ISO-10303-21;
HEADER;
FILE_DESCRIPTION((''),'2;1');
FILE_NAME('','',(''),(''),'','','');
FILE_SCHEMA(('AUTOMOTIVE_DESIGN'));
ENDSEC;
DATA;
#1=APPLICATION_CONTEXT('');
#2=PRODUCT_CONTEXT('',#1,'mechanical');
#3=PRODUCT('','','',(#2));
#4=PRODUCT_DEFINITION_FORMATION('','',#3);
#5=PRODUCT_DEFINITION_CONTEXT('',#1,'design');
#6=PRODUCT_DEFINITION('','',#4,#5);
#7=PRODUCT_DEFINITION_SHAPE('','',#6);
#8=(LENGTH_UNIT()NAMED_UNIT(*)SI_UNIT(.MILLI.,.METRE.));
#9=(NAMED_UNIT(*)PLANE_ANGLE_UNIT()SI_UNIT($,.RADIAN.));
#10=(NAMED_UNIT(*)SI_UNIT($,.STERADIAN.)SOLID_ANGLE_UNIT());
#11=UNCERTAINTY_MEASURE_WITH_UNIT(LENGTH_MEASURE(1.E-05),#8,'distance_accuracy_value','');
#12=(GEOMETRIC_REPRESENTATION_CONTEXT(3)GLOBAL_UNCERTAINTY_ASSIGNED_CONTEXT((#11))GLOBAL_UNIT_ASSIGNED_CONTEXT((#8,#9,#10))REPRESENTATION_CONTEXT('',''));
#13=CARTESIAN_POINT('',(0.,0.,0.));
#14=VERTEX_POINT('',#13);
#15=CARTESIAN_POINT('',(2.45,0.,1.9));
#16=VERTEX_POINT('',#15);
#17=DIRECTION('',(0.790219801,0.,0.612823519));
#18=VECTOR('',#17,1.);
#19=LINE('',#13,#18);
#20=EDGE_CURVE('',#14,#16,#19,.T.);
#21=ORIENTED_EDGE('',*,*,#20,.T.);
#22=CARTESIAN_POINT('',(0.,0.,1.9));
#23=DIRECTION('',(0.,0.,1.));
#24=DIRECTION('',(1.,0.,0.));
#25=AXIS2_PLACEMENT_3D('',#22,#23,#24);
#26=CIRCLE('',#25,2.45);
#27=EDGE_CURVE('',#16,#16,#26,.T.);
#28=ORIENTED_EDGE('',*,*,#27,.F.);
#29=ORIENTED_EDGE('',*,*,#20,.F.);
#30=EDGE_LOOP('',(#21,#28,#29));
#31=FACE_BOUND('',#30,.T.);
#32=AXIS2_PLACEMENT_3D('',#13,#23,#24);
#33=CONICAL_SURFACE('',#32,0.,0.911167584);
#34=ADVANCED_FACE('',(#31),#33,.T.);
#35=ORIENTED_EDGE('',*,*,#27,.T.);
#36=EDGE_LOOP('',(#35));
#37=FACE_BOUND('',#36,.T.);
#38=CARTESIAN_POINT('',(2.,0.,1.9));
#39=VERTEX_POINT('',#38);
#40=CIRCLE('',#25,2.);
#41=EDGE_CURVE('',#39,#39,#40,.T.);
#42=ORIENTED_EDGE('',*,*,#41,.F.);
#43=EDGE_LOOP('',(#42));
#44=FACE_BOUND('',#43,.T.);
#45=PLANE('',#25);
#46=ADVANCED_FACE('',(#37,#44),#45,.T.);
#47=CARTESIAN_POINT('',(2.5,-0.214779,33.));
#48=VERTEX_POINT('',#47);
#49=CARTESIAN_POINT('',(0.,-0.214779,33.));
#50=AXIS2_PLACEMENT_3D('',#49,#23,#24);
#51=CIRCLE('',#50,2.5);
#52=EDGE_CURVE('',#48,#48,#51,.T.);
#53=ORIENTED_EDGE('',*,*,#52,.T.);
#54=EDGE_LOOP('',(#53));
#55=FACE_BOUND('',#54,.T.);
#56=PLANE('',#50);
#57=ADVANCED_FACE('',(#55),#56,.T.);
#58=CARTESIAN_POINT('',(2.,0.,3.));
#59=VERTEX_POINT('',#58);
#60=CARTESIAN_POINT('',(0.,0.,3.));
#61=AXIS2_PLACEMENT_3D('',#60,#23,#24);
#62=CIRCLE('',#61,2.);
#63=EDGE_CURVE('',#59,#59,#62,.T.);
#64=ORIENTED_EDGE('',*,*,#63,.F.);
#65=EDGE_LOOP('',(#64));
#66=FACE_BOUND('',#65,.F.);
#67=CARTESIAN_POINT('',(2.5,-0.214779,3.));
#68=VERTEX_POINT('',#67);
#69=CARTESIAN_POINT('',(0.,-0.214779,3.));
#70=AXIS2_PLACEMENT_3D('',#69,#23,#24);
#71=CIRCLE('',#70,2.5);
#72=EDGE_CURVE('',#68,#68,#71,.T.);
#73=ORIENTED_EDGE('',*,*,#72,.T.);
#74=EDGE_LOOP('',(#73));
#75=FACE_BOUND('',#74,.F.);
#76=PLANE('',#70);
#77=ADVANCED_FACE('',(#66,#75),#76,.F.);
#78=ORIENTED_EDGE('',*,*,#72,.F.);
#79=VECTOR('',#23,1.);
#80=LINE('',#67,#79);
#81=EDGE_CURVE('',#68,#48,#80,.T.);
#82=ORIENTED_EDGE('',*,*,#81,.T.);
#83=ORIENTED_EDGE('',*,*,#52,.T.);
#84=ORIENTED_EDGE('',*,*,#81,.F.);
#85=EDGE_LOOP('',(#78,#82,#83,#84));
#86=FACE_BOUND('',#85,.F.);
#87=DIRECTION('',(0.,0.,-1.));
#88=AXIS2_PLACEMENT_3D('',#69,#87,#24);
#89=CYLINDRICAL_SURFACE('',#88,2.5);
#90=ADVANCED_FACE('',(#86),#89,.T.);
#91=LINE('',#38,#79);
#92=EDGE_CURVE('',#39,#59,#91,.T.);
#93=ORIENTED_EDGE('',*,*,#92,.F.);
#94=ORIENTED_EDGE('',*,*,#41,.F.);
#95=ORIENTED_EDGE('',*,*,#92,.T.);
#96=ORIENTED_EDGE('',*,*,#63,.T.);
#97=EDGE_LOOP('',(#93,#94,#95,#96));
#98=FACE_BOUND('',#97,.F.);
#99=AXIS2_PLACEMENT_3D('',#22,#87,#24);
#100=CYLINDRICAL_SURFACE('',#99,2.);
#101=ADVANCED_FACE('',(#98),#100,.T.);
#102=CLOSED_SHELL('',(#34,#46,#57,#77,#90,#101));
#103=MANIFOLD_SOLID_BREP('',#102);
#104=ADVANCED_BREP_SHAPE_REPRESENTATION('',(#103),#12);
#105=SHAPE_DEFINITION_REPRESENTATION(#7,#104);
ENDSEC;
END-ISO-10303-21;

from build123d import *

# Parameters (mm, degrees)
F2_R     = 2
F3_DEPTH = 1.1
F4_R     = 2.5
F5_DEPTH = 30


with BuildPart() as f1:
    # F0 (on Front) → F1 (revolve)
    with BuildSketch(Plane.XZ):
        Polygon((0, 1.9), (0, 0), (2.45, 1.9), align=None)
    revolve(axis=Axis((0, 0, 0.95), (0, 0, 1)))

    # F2 (on face) → F3 (join)
    with BuildSketch(Plane.XY.offset(1.9)):
        Circle(F2_R)
    extrude(amount=F3_DEPTH)

    # F4 (on face) → F5 (join)
    with BuildSketch(Plane.XY.offset(3)):
        with Locations((0, -0.214779)):
            Circle(F4_R)
    extrude(amount=F5_DEPTH)


solid = f1.part
